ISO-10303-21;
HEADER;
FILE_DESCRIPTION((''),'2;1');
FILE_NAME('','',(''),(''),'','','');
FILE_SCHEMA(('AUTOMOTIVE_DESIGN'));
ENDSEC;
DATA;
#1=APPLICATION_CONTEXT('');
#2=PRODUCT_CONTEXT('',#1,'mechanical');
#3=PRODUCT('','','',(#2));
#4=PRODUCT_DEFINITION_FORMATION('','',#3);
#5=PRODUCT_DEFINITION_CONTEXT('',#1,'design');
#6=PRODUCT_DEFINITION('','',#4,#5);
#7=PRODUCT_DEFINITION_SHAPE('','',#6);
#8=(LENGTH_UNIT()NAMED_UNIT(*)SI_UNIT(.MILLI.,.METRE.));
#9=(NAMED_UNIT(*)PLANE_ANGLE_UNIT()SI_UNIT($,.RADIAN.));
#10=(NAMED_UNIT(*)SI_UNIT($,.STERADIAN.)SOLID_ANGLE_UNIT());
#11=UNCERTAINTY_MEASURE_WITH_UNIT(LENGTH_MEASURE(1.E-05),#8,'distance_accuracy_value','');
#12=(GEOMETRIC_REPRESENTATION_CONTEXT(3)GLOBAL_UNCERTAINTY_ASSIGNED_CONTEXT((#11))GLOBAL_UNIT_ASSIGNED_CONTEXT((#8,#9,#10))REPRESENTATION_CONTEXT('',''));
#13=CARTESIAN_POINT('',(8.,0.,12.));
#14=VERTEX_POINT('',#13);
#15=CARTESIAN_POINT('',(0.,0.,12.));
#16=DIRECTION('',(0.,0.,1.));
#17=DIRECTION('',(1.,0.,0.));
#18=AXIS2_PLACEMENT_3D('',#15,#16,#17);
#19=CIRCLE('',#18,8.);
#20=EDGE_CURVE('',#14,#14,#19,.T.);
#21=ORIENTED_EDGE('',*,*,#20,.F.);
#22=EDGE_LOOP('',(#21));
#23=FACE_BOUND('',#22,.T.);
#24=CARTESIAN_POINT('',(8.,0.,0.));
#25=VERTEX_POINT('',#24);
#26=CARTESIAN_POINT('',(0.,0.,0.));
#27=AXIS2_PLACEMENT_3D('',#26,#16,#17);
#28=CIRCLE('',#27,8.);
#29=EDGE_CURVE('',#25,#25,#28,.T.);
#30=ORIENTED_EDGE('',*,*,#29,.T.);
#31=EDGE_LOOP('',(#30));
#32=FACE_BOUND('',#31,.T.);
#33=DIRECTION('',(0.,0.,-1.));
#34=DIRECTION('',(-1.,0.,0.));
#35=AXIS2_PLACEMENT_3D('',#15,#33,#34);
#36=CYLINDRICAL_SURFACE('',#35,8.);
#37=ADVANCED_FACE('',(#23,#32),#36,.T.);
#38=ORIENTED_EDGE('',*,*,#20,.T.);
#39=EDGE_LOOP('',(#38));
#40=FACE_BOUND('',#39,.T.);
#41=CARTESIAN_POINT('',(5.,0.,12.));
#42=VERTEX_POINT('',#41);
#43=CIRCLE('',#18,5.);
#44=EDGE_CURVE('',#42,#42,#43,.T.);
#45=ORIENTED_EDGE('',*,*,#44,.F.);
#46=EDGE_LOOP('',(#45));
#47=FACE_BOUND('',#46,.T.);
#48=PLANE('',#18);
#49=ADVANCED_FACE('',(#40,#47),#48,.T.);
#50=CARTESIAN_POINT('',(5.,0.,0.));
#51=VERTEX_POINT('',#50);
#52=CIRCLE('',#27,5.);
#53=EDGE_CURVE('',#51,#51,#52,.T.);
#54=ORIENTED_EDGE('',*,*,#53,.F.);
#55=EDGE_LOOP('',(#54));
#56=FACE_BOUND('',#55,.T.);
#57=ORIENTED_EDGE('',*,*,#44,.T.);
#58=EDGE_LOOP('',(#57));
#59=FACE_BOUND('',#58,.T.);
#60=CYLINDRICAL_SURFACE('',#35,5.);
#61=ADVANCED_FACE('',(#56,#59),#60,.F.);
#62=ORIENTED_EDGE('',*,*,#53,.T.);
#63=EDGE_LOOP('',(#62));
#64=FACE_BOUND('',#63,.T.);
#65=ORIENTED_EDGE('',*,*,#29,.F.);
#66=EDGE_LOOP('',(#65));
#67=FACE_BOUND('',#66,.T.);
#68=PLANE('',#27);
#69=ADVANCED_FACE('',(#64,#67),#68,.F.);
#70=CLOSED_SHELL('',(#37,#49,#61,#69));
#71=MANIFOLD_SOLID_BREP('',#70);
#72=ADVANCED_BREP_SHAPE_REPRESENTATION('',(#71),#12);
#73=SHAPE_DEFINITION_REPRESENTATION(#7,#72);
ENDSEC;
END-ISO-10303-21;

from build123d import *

# Parameters (mm, degrees)
SKETCH_1_R      = 8
SKETCH_1_R_2    = 5
EXTRUDE_1_DEPTH = 12


with BuildPart() as part:
    # 草图1 → 凸台-拉伸1 (new body)
    with BuildSketch(Plane.XY):
        Circle(SKETCH_1_R)
        Circle(SKETCH_1_R_2, mode=Mode.SUBTRACT)
    extrude(amount=EXTRUDE_1_DEPTH)


solid = part.part
